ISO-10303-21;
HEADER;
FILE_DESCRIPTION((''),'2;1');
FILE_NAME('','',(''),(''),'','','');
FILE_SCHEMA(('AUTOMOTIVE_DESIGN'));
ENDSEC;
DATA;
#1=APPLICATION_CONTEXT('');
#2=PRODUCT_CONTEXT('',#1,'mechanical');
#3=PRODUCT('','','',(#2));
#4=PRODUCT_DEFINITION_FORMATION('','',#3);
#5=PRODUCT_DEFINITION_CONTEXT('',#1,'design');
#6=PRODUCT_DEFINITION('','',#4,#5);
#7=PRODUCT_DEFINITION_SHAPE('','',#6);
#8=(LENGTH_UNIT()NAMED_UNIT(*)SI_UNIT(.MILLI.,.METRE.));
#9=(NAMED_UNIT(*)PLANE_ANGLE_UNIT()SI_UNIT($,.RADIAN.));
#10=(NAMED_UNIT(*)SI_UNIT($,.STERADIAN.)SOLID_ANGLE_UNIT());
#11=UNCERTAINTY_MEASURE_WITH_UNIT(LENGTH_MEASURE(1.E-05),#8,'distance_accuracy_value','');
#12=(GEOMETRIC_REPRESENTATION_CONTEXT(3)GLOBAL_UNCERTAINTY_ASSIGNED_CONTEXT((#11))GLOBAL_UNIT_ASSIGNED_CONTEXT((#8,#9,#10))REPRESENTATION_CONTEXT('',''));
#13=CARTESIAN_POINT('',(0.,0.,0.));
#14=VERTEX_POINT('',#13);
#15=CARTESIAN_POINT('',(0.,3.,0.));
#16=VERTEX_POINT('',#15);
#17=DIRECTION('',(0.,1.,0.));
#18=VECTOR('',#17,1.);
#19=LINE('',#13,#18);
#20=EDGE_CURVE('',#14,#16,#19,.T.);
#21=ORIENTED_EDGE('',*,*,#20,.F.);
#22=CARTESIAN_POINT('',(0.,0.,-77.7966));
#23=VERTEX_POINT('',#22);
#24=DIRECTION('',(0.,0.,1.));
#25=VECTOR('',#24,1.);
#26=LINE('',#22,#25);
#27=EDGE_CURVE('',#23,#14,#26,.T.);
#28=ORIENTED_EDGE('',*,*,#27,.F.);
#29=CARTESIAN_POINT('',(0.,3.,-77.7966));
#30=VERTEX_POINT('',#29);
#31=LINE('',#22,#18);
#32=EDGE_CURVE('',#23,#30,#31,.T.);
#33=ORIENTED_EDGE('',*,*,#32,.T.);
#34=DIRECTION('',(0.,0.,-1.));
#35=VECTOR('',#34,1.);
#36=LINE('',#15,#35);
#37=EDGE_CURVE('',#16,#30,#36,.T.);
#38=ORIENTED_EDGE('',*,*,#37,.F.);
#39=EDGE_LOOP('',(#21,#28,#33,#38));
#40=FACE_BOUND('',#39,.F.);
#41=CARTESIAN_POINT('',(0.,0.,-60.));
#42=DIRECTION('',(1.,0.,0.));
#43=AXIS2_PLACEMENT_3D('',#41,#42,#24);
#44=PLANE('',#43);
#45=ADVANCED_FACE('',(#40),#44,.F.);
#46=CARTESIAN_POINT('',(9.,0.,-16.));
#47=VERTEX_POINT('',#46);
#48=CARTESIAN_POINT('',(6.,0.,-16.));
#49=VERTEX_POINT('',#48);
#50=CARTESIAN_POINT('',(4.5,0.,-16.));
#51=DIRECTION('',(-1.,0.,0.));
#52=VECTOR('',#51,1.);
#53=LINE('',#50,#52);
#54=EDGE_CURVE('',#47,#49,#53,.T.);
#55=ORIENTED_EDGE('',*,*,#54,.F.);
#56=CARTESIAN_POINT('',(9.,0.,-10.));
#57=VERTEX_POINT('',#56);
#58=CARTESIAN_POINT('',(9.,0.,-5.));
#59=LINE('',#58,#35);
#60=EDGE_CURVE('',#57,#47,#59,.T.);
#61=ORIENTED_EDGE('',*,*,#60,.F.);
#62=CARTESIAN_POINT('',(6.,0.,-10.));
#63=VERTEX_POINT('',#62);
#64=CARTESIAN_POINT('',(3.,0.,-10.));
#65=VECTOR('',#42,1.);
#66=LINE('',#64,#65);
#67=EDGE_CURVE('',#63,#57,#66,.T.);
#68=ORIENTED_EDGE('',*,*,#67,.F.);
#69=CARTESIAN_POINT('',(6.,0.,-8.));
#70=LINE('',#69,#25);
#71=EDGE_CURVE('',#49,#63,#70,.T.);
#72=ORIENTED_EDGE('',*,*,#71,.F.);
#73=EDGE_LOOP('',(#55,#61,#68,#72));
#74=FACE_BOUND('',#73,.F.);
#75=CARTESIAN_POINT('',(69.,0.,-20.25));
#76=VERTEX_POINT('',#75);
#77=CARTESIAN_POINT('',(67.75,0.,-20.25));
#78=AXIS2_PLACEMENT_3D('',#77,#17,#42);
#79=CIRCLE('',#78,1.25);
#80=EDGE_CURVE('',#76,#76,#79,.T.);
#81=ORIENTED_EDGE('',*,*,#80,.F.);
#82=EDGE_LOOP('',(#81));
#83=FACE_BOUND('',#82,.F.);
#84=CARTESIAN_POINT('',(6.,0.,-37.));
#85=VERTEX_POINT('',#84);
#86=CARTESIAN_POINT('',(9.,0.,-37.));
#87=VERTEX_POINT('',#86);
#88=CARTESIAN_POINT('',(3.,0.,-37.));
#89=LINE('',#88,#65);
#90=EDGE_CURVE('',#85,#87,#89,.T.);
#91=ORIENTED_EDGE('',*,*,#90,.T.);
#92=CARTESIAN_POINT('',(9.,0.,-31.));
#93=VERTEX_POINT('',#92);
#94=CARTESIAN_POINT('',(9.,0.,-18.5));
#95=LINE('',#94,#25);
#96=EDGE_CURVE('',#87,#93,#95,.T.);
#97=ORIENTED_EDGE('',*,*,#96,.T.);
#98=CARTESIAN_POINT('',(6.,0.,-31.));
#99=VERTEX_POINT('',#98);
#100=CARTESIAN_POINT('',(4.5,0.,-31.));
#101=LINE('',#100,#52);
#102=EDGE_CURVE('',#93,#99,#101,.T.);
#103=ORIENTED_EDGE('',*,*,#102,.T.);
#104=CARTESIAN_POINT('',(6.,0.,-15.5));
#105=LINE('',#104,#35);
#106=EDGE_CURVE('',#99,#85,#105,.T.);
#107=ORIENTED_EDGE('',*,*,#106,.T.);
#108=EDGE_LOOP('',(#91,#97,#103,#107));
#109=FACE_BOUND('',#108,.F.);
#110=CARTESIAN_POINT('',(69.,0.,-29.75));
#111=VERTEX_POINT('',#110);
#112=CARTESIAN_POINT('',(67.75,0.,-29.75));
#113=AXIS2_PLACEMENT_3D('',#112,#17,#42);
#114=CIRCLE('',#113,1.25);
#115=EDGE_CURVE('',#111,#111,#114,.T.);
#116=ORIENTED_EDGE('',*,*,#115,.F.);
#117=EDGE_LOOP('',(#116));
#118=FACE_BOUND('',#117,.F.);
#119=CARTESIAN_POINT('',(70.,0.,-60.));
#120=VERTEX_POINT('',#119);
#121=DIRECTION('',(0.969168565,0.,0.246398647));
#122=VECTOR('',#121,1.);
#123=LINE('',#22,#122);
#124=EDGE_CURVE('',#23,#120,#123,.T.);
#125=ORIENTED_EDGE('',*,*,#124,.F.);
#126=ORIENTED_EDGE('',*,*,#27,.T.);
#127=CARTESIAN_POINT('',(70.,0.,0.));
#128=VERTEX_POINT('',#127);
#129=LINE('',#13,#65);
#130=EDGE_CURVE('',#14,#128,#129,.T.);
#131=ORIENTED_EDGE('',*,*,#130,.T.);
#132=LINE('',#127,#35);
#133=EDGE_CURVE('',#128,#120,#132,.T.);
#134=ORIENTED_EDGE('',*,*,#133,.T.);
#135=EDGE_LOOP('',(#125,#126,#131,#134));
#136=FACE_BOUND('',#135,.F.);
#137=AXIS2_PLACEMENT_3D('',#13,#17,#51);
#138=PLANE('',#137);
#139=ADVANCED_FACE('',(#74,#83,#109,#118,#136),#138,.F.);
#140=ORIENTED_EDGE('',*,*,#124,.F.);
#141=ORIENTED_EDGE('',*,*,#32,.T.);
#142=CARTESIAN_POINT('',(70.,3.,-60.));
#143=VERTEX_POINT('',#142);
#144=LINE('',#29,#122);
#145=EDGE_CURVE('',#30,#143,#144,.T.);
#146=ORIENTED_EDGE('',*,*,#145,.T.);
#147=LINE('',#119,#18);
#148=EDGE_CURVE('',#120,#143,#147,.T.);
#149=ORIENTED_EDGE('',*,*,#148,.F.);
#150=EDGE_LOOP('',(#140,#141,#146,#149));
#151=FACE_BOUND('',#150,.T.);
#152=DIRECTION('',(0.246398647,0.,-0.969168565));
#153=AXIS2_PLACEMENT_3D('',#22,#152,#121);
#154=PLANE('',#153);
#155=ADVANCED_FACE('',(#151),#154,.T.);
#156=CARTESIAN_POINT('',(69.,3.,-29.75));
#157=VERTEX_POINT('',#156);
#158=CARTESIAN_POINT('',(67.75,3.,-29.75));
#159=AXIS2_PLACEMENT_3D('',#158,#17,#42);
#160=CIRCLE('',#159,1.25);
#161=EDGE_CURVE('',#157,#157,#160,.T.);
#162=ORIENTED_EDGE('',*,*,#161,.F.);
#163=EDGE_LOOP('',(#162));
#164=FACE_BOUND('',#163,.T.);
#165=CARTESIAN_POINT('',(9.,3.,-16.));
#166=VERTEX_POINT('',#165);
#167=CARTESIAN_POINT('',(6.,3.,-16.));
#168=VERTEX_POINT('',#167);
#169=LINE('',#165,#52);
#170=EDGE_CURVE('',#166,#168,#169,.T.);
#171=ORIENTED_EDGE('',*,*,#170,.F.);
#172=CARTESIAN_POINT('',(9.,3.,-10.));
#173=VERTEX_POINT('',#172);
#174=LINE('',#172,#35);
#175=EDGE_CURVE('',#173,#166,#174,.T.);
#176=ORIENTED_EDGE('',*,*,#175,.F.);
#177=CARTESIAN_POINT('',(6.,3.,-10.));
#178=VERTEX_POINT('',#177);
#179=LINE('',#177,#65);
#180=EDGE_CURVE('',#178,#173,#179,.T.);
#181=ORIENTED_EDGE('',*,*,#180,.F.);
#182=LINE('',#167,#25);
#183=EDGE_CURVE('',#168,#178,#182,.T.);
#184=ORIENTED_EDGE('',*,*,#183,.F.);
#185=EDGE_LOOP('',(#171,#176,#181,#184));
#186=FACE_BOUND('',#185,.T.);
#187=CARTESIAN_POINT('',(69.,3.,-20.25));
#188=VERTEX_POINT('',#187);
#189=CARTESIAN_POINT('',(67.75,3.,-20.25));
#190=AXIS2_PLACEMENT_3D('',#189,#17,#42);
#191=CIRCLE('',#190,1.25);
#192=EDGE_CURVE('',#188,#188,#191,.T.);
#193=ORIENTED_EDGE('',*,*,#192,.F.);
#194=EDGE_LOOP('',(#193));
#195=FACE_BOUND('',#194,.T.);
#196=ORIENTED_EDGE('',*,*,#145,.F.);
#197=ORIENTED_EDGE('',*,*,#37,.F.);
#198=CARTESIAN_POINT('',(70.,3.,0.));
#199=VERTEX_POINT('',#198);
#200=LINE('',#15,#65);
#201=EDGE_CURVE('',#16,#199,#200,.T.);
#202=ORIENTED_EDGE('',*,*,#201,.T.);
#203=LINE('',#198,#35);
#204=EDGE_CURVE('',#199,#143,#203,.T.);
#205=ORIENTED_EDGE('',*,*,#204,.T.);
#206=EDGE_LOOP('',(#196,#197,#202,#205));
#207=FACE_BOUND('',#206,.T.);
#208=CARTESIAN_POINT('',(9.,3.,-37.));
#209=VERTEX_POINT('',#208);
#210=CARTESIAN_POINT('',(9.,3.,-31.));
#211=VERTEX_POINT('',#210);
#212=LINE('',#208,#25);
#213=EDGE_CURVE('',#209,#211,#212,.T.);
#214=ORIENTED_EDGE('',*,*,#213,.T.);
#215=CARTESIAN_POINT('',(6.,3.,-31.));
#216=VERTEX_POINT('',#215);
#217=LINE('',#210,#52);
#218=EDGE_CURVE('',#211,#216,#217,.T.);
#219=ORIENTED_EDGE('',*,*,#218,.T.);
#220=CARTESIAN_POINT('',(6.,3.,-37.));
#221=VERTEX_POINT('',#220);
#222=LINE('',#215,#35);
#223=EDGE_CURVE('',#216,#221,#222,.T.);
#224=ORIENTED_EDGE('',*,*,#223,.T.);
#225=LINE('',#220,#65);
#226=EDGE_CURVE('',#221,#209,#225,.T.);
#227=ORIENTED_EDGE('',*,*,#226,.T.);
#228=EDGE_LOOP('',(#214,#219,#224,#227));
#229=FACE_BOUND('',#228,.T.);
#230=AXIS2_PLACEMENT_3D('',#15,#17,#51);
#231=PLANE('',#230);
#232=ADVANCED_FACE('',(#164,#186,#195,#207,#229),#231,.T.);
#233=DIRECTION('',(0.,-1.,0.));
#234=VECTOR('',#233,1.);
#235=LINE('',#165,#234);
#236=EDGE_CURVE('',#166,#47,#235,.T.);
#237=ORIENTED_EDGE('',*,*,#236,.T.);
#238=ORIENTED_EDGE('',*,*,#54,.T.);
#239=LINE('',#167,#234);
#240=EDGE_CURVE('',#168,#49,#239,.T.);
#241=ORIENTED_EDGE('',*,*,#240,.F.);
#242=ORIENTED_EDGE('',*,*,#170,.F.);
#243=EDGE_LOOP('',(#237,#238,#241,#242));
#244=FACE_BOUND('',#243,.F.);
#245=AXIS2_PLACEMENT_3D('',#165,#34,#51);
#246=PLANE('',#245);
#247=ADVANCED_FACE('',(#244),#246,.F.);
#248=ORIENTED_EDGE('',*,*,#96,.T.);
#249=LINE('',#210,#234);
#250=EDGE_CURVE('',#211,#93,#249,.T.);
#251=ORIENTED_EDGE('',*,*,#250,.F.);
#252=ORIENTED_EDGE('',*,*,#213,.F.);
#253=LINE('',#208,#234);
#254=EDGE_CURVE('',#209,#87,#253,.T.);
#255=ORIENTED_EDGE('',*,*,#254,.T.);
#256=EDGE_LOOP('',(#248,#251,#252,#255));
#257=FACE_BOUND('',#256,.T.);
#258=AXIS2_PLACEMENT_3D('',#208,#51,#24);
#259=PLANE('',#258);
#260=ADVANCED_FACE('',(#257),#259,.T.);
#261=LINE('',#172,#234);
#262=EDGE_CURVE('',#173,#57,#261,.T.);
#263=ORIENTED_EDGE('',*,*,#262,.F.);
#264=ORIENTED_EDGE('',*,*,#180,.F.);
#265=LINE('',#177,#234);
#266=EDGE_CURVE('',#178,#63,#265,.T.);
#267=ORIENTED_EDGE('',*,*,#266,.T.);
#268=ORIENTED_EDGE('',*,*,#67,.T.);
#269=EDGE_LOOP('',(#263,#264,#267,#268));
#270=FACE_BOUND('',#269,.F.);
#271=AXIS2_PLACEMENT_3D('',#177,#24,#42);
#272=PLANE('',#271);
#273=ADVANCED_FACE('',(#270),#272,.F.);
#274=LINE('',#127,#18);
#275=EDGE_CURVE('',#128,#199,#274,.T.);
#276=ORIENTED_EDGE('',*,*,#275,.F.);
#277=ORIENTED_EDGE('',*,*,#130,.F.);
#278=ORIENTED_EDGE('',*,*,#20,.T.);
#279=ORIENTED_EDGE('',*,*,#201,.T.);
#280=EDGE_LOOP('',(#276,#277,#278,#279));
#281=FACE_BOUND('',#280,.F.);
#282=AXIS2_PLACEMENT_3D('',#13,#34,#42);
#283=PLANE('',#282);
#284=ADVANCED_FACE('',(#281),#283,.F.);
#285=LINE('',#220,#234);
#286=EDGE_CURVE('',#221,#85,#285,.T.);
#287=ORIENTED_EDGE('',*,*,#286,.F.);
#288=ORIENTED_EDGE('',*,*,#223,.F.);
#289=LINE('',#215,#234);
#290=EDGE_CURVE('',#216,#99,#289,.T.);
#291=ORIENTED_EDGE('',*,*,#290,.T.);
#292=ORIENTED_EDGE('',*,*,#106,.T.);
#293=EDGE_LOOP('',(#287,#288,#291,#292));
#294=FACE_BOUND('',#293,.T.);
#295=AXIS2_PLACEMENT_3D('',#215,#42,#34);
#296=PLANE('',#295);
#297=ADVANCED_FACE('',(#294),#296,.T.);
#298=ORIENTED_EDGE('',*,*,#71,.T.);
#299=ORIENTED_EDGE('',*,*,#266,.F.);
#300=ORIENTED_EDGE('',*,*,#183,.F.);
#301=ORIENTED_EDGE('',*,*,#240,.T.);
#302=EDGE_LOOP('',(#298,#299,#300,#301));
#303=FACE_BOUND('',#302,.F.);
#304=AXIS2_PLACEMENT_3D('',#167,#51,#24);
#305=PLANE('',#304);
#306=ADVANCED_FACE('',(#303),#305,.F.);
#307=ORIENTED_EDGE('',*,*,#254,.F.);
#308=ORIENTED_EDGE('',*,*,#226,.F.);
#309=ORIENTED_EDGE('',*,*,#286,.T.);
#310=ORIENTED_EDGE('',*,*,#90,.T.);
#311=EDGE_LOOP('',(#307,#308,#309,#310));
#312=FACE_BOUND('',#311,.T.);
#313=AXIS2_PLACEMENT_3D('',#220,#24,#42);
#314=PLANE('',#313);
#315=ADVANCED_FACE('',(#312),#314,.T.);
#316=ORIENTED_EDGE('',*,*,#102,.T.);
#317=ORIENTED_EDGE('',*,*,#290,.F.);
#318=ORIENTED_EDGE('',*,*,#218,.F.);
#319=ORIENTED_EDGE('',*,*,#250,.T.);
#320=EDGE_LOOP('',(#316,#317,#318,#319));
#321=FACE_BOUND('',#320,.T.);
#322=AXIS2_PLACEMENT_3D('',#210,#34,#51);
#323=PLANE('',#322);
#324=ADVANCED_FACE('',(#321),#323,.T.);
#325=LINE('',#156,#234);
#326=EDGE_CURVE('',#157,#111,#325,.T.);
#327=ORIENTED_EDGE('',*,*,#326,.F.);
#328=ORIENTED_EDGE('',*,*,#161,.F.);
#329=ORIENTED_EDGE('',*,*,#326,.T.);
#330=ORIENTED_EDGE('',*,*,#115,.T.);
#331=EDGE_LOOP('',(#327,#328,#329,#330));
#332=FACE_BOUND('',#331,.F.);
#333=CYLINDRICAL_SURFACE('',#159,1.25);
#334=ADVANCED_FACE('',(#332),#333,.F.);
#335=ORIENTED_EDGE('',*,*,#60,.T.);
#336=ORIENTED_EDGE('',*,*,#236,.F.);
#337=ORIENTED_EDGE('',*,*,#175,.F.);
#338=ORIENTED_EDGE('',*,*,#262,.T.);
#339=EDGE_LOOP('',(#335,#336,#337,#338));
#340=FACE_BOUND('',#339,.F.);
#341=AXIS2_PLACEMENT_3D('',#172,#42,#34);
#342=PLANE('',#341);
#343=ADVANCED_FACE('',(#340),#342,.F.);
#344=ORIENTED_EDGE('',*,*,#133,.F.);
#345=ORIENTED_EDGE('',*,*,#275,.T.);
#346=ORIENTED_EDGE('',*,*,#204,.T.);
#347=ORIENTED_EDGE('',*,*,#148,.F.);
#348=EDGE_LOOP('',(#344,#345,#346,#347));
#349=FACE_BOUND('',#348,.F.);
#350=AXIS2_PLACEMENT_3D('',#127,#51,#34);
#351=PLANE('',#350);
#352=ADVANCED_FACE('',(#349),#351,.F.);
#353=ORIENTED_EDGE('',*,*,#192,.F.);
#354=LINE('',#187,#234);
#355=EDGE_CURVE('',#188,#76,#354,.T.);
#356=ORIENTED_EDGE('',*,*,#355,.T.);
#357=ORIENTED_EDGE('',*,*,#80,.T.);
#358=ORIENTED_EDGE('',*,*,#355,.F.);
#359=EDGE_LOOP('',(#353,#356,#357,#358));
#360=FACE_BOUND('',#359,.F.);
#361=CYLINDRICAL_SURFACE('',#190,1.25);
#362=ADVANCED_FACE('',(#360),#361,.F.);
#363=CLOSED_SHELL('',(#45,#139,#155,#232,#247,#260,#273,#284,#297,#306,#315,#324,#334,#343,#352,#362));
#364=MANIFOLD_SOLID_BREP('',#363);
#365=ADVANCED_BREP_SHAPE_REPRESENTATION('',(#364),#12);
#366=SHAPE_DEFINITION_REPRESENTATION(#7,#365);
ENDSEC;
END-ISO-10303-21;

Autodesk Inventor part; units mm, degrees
ref_plane "YZ Plane" through (0, 0, 0) normal (1, 0, 0) x (0, 1, 0)
ref_plane "XZ Plane" through (0, 0, 0) normal (0, 1, 0) x (-1, 0, 0)
ref_plane "XY Plane" through (0, 0, 0) normal (0, 0, 1) x (1, 0, 0)
sketch "Sketch1" plane through (0, 0, 0) normal (0, 1, 0) x (-1, 0, 0)
  line L0 (0, 0) -> (-70, 0)
  line L1 (-70, 0) -> (-70, -60)
  line L2 (-70, -60) -> (0, -60)
  line L3 (0, -60) -> (0, 0)
  line L4 (0, -60) -> (0, -77.7966)
  line L5 (0, -77.7966) -> (-70, -60)
  dimension "d0" = 70
  dimension "d1" = 60
  dimension "d23" = 14.264
extrude "Extrusion1" add sketch "Sketch1" along normal blind 3
sketch "Sketch3" plane through (0, 3, 0) normal (0, 1, 0) x (1, 0, 0)
  circle A0 centre (67.75, 20.25) radius 1.25
  circle A1 centre (67.75, 29.75) radius 1.25
  line L0 (70, 0) -> (70, 60) projected
  line L1 (0, 0) -> (70, 0) projected
  line L2 (6, 10) -> (9, 10)
  line L3 (9, 10) -> (9, 16)
  line L4 (9, 16) -> (6, 16)
  line L5 (6, 16) -> (6, 10)
  line L6 (6, 37) -> (9, 37)
  line L7 (9, 37) -> (9, 31)
  line L8 (9, 31) -> (6, 31)
  line L9 (6, 31) -> (6, 37)
  line L10 (0, 77.7966) -> (0, 0) projected
  dimension "d15" = 2.5
  dimension "d16" = 2.25
  dimension "d17" = 2.25
  dimension "d18" = 2.5
  dimension "d19" = 20.25
  dimension "d20" = 9.5
  dimension "d24" = 3
  dimension "d25" = 6
  dimension "d26" = 6
  dimension "d27" = 10
  dimension "d28" = 15
  dimension "d29" = 6
extrude "Extrusion3" cut sketch "Sketch3" along normal through all both and the other way through all
equation "\"d17\" = d16"
equation "\"d18\" = d15"
properties part number "pinball-case-left-wall-outer-scaled"
